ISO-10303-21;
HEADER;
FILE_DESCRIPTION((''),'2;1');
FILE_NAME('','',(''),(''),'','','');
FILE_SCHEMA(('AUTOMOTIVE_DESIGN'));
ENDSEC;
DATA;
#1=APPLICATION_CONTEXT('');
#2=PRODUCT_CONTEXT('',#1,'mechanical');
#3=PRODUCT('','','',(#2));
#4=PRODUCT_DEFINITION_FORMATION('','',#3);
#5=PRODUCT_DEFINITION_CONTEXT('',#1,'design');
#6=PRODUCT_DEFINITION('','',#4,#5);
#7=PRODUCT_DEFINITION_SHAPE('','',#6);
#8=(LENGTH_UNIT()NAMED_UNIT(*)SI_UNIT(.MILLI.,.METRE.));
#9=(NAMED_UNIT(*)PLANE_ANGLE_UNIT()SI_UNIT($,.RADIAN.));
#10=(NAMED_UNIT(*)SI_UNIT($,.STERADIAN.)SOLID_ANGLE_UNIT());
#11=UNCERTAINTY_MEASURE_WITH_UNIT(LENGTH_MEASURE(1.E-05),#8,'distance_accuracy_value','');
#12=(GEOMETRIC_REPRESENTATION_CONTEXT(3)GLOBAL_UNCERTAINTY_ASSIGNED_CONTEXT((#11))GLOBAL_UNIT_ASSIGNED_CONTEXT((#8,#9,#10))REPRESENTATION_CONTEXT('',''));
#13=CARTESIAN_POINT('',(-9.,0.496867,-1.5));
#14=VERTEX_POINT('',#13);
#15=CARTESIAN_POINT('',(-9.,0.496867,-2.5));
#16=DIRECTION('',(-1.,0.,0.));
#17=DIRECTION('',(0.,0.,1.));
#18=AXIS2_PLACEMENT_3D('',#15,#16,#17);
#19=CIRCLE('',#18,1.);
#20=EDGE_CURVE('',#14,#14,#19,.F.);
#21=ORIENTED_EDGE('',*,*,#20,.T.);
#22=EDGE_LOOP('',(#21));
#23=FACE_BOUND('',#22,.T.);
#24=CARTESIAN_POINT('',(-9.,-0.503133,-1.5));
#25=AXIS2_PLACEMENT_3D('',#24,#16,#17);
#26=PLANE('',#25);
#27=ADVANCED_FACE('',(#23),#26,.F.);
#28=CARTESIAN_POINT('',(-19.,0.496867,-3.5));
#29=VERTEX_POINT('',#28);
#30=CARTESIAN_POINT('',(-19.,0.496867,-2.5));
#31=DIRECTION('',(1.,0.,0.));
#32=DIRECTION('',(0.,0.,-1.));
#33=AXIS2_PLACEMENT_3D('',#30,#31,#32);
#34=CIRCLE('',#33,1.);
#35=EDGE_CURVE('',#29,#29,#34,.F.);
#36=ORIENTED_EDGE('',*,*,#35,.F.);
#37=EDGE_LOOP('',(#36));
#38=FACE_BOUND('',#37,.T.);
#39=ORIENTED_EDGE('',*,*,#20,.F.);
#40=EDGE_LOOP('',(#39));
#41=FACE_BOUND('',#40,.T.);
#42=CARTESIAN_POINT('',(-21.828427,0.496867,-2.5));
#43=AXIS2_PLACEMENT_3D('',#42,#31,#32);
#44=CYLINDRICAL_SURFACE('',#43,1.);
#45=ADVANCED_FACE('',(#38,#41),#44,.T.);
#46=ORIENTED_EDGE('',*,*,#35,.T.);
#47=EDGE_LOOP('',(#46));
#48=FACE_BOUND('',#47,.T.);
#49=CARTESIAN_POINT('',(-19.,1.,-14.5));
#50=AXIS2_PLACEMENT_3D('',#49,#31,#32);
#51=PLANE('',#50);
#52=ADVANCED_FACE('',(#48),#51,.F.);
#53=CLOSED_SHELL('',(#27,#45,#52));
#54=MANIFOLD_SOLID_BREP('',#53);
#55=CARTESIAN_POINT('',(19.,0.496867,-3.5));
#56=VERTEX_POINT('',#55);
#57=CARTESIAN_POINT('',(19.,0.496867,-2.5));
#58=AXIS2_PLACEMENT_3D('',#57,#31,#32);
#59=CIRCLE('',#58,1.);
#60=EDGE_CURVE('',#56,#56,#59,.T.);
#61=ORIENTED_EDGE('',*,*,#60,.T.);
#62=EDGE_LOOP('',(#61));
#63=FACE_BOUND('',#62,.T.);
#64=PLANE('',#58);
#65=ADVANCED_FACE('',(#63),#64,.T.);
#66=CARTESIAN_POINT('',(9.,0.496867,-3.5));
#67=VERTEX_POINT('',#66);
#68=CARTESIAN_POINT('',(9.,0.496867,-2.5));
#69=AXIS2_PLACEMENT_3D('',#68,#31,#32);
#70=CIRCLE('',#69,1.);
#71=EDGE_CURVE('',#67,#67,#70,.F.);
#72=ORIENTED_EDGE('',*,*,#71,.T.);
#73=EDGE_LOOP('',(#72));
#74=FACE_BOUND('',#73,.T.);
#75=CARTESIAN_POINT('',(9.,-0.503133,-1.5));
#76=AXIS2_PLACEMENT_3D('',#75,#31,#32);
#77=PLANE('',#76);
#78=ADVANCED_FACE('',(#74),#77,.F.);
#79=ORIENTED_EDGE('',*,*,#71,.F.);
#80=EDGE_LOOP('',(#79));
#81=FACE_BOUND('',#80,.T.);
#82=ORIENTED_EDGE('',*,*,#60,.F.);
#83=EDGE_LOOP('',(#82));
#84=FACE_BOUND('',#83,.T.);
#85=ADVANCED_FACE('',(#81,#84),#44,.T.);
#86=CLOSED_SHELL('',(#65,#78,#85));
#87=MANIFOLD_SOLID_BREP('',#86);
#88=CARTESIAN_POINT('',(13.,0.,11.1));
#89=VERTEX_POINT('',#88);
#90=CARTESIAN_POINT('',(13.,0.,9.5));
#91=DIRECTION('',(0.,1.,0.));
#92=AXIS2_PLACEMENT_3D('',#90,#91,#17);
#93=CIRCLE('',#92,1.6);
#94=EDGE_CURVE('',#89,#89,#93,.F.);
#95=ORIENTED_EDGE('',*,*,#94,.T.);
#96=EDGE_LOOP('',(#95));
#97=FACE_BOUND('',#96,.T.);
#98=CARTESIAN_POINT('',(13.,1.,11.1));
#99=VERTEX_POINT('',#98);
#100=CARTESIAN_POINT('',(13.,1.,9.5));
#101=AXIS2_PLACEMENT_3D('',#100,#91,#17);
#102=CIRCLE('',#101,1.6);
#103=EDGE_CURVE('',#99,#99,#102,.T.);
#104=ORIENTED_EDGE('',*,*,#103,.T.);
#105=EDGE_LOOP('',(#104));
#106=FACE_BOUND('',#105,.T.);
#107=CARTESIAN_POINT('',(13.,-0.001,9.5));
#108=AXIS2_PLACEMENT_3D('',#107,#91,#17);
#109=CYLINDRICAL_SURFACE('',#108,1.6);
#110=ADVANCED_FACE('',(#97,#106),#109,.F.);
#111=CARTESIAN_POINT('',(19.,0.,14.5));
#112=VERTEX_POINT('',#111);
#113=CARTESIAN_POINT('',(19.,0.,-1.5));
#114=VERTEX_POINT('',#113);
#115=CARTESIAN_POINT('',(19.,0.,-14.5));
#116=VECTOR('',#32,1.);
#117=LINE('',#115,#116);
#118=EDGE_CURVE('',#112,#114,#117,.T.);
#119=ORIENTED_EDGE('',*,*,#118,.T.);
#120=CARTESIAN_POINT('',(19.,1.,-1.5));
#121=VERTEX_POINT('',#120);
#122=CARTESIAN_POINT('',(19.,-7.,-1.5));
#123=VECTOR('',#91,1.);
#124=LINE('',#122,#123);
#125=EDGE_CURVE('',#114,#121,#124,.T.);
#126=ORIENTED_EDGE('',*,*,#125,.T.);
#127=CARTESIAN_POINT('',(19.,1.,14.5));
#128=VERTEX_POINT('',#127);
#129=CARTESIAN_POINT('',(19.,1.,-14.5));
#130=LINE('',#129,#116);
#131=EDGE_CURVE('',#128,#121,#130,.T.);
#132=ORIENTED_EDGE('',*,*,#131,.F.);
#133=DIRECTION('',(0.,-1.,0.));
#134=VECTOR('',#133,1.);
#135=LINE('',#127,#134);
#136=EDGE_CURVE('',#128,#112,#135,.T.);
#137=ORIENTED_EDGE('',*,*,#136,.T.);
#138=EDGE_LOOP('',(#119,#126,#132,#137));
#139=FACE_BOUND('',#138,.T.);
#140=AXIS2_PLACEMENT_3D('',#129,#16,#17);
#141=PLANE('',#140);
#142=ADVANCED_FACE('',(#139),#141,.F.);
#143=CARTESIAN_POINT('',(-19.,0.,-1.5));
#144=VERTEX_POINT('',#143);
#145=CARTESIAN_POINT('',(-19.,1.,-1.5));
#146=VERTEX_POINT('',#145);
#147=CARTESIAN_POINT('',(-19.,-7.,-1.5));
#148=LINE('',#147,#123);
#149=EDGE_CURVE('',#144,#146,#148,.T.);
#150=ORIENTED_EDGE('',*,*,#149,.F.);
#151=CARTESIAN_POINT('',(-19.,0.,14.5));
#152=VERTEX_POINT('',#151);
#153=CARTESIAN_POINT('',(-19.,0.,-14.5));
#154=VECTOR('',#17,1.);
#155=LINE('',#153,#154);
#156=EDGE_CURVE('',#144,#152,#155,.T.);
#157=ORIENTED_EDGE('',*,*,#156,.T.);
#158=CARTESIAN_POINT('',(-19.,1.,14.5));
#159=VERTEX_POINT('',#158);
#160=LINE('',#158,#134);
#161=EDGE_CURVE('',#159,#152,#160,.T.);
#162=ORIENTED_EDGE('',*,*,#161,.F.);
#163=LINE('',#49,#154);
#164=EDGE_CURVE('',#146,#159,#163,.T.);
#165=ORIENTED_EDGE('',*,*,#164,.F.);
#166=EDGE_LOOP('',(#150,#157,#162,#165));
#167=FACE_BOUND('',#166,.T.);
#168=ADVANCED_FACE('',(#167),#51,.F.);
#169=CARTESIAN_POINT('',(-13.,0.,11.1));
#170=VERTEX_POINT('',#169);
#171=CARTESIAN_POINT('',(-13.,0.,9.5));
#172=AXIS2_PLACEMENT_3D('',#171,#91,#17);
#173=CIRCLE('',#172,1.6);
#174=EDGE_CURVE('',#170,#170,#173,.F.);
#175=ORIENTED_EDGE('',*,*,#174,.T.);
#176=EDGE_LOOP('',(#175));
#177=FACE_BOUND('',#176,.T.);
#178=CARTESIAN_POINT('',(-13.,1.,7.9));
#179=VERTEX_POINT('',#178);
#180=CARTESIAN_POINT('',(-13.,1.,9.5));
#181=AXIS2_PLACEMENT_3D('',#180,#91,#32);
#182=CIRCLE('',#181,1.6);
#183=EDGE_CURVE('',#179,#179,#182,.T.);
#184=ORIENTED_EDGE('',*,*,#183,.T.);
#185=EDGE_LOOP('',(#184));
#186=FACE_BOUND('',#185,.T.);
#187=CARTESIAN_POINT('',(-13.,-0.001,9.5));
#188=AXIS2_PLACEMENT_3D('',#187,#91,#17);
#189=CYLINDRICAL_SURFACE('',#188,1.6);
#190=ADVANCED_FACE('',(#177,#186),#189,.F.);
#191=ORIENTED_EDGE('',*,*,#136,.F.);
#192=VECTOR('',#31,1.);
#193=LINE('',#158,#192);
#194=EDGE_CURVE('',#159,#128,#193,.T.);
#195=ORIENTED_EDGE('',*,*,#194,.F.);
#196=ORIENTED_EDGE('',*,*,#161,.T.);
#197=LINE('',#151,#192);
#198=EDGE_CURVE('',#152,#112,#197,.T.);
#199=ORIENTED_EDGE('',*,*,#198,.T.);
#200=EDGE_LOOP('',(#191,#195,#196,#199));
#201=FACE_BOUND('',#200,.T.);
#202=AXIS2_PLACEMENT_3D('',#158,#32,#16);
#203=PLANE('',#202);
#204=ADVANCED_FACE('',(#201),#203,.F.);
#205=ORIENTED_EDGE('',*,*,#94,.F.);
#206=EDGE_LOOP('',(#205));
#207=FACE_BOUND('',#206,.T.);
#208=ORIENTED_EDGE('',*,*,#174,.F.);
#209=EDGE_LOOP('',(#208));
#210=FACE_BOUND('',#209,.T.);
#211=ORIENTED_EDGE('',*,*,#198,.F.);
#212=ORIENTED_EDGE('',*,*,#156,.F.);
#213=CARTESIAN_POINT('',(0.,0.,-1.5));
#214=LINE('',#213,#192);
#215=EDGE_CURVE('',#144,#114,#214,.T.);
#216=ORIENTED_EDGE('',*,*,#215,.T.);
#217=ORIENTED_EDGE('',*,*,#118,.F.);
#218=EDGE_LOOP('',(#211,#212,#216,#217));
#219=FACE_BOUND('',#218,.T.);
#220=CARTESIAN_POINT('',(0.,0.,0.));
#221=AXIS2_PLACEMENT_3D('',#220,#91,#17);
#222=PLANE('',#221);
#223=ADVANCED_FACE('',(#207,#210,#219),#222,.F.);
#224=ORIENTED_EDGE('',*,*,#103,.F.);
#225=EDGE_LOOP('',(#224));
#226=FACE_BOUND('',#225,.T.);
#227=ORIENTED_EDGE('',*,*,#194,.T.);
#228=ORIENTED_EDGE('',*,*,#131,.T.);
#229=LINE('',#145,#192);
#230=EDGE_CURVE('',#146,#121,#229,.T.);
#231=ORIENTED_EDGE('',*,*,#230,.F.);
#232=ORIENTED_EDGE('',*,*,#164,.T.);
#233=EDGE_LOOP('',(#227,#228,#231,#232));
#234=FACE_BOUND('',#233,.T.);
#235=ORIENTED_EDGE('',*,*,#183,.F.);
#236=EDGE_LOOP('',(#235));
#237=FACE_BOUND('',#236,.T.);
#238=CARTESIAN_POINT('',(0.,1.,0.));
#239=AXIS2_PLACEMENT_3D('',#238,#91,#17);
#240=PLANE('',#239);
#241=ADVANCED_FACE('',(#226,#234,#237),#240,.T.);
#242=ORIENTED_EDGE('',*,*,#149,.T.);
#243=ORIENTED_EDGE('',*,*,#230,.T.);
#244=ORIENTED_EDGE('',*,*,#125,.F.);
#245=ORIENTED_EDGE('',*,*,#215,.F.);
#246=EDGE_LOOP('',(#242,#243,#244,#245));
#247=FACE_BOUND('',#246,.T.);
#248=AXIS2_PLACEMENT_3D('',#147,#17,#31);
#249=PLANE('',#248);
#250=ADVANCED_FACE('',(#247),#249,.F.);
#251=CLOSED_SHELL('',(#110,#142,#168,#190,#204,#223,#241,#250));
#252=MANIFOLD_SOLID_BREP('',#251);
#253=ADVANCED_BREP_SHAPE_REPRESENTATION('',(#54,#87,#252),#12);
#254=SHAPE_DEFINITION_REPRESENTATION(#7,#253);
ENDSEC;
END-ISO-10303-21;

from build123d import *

# Parameters (mm, degrees)
SKETCH_1_W               = 38
SKETCH_1_H               = 29
EXTRUDE_1_DEPTH          = 1
CUT_EXTRUDE_1_REACH      = 25.922
SKETCH_2_R               = 1.6
SKETCH_2_R_2             = 1.38449668
SKETCH_3_W               = 38
SKETCH_3_H               = 13
CUT_EXTRUDE_2_DEPTH      = 8
SKETCH_5_R               = 1
EXTRUDE_2_DEPTH          = 38
CUT_EXTRUDE_3_DEPTH      = 24.948056448
CUT_EXTRUDE_3_DEPTH_BACK = 24.948056448
SKETCH_6_W               = 18
SKETCH_6_H               = 3.858849935


with BuildPart() as part:
    # 草图1 → 凸台-拉伸1 (new body)
    with BuildSketch(Plane(origin=(0, 0, 0), x_dir=(1, 0, 0), z_dir=(0, 1, 0))):
        Rectangle(SKETCH_1_W, SKETCH_1_H)
    extrude(amount=EXTRUDE_1_DEPTH)

    # 草图2 → 切除-拉伸1 (cut, up to next)
    with BuildSketch(Plane(origin=(0, 1, 0), x_dir=(1, 0, 0), z_dir=(0, 1, 0)), mode=Mode.PRIVATE) as cut_extrude_1_sk1:
        with Locations(Location((13, -9.5, 0), (0, 0, 270))):
            Circle(SKETCH_2_R)
    cut_extrude_1_tool1 = extrude(cut_extrude_1_sk1.sketch, amount=-CUT_EXTRUDE_1_REACH, mode=Mode.PRIVATE) & part.part
    # 草图2 → 切除-拉伸1 (cut, up to next)
    with BuildSketch(Plane(origin=(0, 1, 0), x_dir=(1, 0, 0), z_dir=(0, 1, 0)), mode=Mode.PRIVATE) as cut_extrude_1_sk2:
        with Locations(Location((13, 9.5, 0), (0, 0, 270))):
            Circle(SKETCH_2_R_2)
    cut_extrude_1_tool2 = extrude(cut_extrude_1_sk2.sketch, amount=-CUT_EXTRUDE_1_REACH, mode=Mode.PRIVATE) & part.part
    # 草图2 → 切除-拉伸1 (cut, up to next)
    with BuildSketch(Plane(origin=(0, 1, 0), x_dir=(1, 0, 0), z_dir=(0, 1, 0)), mode=Mode.PRIVATE) as cut_extrude_1_sk3:
        with Locations(Location((-13, 9.5, 0), (0, 0, 270))):
            Circle(SKETCH_2_R_2)
    cut_extrude_1_tool3 = extrude(cut_extrude_1_sk3.sketch, amount=-CUT_EXTRUDE_1_REACH, mode=Mode.PRIVATE) & part.part
    # 草图2 → 切除-拉伸1 (cut, up to next)
    with BuildSketch(Plane(origin=(0, 1, 0), x_dir=(1, 0, 0), z_dir=(0, 1, 0)), mode=Mode.PRIVATE) as cut_extrude_1_sk4:
        with Locations(Location((-13, -9.5, 0), (0, 0, 270))):
            Circle(SKETCH_2_R)
    cut_extrude_1_tool4 = extrude(cut_extrude_1_sk4.sketch, amount=-CUT_EXTRUDE_1_REACH, mode=Mode.PRIVATE) & part.part
    add(cut_extrude_1_tool1.solids().sort_by_distance((13, 1, 9.5))[0], mode=Mode.SUBTRACT)
    add(cut_extrude_1_tool2.solids().sort_by_distance((13, 1, -9.5))[0], mode=Mode.SUBTRACT)
    add(cut_extrude_1_tool3.solids().sort_by_distance((-13, 1, -9.5))[0], mode=Mode.SUBTRACT)
    add(cut_extrude_1_tool4.solids().sort_by_distance((-13, 1, 9.5))[0], mode=Mode.SUBTRACT)

    # 草图3 → 切除-拉伸2 (cut)
    with BuildSketch(Plane(origin=(0, 1, 0), x_dir=(1, 0, 0), z_dir=(0, 1, 0))):
        with Locations((0, 8)):
            Rectangle(SKETCH_3_W, SKETCH_3_H)
    extrude(amount=-CUT_EXTRUDE_2_DEPTH, mode=Mode.SUBTRACT)


with BuildPart() as body_2:
    # 草图5 → 凸台-拉伸2 (new body)
    with BuildSketch(Plane(origin=(19, 0, 0), x_dir=(0, 0, -1), z_dir=(1, 0, 0))):
        with Locations((2.5, 0.496867392)):
            Circle(SKETCH_5_R)
    extrude(amount=-EXTRUDE_2_DEPTH)

    # 草图6 → 切除-拉伸3 (cut, two sides: drawn at the far end of the back side and taken through both)
    with BuildSketch(Plane(origin=(0, 1, 0), x_dir=(1, 0, 0), z_dir=(0, 1, 0)).offset(-CUT_EXTRUDE_3_DEPTH_BACK)):
        with Locations((0, 3.429424968)):
            Rectangle(SKETCH_6_W, SKETCH_6_H)
    extrude(amount=CUT_EXTRUDE_3_DEPTH + CUT_EXTRUDE_3_DEPTH_BACK, mode=Mode.SUBTRACT)


with BuildPart() as cut_extrude_3_piece_1:
    # of the separate pieces the step leaves, piece 1, a body of its own (cut_extrude_3_pieces)
    add(body_2.part.solids().sort_by_distance((-9, 0.496867392, -3.5))[0])


with BuildPart() as cut_extrude_3_piece_2:
    # of the separate pieces the step leaves, piece 2, a body of its own (cut_extrude_3_pieces)
    add(body_2.part.solids().sort_by_distance((19, 0.496867392, -3.5))[0])


solid = Compound([part.part, cut_extrude_3_piece_1.part, cut_extrude_3_piece_2.part])
